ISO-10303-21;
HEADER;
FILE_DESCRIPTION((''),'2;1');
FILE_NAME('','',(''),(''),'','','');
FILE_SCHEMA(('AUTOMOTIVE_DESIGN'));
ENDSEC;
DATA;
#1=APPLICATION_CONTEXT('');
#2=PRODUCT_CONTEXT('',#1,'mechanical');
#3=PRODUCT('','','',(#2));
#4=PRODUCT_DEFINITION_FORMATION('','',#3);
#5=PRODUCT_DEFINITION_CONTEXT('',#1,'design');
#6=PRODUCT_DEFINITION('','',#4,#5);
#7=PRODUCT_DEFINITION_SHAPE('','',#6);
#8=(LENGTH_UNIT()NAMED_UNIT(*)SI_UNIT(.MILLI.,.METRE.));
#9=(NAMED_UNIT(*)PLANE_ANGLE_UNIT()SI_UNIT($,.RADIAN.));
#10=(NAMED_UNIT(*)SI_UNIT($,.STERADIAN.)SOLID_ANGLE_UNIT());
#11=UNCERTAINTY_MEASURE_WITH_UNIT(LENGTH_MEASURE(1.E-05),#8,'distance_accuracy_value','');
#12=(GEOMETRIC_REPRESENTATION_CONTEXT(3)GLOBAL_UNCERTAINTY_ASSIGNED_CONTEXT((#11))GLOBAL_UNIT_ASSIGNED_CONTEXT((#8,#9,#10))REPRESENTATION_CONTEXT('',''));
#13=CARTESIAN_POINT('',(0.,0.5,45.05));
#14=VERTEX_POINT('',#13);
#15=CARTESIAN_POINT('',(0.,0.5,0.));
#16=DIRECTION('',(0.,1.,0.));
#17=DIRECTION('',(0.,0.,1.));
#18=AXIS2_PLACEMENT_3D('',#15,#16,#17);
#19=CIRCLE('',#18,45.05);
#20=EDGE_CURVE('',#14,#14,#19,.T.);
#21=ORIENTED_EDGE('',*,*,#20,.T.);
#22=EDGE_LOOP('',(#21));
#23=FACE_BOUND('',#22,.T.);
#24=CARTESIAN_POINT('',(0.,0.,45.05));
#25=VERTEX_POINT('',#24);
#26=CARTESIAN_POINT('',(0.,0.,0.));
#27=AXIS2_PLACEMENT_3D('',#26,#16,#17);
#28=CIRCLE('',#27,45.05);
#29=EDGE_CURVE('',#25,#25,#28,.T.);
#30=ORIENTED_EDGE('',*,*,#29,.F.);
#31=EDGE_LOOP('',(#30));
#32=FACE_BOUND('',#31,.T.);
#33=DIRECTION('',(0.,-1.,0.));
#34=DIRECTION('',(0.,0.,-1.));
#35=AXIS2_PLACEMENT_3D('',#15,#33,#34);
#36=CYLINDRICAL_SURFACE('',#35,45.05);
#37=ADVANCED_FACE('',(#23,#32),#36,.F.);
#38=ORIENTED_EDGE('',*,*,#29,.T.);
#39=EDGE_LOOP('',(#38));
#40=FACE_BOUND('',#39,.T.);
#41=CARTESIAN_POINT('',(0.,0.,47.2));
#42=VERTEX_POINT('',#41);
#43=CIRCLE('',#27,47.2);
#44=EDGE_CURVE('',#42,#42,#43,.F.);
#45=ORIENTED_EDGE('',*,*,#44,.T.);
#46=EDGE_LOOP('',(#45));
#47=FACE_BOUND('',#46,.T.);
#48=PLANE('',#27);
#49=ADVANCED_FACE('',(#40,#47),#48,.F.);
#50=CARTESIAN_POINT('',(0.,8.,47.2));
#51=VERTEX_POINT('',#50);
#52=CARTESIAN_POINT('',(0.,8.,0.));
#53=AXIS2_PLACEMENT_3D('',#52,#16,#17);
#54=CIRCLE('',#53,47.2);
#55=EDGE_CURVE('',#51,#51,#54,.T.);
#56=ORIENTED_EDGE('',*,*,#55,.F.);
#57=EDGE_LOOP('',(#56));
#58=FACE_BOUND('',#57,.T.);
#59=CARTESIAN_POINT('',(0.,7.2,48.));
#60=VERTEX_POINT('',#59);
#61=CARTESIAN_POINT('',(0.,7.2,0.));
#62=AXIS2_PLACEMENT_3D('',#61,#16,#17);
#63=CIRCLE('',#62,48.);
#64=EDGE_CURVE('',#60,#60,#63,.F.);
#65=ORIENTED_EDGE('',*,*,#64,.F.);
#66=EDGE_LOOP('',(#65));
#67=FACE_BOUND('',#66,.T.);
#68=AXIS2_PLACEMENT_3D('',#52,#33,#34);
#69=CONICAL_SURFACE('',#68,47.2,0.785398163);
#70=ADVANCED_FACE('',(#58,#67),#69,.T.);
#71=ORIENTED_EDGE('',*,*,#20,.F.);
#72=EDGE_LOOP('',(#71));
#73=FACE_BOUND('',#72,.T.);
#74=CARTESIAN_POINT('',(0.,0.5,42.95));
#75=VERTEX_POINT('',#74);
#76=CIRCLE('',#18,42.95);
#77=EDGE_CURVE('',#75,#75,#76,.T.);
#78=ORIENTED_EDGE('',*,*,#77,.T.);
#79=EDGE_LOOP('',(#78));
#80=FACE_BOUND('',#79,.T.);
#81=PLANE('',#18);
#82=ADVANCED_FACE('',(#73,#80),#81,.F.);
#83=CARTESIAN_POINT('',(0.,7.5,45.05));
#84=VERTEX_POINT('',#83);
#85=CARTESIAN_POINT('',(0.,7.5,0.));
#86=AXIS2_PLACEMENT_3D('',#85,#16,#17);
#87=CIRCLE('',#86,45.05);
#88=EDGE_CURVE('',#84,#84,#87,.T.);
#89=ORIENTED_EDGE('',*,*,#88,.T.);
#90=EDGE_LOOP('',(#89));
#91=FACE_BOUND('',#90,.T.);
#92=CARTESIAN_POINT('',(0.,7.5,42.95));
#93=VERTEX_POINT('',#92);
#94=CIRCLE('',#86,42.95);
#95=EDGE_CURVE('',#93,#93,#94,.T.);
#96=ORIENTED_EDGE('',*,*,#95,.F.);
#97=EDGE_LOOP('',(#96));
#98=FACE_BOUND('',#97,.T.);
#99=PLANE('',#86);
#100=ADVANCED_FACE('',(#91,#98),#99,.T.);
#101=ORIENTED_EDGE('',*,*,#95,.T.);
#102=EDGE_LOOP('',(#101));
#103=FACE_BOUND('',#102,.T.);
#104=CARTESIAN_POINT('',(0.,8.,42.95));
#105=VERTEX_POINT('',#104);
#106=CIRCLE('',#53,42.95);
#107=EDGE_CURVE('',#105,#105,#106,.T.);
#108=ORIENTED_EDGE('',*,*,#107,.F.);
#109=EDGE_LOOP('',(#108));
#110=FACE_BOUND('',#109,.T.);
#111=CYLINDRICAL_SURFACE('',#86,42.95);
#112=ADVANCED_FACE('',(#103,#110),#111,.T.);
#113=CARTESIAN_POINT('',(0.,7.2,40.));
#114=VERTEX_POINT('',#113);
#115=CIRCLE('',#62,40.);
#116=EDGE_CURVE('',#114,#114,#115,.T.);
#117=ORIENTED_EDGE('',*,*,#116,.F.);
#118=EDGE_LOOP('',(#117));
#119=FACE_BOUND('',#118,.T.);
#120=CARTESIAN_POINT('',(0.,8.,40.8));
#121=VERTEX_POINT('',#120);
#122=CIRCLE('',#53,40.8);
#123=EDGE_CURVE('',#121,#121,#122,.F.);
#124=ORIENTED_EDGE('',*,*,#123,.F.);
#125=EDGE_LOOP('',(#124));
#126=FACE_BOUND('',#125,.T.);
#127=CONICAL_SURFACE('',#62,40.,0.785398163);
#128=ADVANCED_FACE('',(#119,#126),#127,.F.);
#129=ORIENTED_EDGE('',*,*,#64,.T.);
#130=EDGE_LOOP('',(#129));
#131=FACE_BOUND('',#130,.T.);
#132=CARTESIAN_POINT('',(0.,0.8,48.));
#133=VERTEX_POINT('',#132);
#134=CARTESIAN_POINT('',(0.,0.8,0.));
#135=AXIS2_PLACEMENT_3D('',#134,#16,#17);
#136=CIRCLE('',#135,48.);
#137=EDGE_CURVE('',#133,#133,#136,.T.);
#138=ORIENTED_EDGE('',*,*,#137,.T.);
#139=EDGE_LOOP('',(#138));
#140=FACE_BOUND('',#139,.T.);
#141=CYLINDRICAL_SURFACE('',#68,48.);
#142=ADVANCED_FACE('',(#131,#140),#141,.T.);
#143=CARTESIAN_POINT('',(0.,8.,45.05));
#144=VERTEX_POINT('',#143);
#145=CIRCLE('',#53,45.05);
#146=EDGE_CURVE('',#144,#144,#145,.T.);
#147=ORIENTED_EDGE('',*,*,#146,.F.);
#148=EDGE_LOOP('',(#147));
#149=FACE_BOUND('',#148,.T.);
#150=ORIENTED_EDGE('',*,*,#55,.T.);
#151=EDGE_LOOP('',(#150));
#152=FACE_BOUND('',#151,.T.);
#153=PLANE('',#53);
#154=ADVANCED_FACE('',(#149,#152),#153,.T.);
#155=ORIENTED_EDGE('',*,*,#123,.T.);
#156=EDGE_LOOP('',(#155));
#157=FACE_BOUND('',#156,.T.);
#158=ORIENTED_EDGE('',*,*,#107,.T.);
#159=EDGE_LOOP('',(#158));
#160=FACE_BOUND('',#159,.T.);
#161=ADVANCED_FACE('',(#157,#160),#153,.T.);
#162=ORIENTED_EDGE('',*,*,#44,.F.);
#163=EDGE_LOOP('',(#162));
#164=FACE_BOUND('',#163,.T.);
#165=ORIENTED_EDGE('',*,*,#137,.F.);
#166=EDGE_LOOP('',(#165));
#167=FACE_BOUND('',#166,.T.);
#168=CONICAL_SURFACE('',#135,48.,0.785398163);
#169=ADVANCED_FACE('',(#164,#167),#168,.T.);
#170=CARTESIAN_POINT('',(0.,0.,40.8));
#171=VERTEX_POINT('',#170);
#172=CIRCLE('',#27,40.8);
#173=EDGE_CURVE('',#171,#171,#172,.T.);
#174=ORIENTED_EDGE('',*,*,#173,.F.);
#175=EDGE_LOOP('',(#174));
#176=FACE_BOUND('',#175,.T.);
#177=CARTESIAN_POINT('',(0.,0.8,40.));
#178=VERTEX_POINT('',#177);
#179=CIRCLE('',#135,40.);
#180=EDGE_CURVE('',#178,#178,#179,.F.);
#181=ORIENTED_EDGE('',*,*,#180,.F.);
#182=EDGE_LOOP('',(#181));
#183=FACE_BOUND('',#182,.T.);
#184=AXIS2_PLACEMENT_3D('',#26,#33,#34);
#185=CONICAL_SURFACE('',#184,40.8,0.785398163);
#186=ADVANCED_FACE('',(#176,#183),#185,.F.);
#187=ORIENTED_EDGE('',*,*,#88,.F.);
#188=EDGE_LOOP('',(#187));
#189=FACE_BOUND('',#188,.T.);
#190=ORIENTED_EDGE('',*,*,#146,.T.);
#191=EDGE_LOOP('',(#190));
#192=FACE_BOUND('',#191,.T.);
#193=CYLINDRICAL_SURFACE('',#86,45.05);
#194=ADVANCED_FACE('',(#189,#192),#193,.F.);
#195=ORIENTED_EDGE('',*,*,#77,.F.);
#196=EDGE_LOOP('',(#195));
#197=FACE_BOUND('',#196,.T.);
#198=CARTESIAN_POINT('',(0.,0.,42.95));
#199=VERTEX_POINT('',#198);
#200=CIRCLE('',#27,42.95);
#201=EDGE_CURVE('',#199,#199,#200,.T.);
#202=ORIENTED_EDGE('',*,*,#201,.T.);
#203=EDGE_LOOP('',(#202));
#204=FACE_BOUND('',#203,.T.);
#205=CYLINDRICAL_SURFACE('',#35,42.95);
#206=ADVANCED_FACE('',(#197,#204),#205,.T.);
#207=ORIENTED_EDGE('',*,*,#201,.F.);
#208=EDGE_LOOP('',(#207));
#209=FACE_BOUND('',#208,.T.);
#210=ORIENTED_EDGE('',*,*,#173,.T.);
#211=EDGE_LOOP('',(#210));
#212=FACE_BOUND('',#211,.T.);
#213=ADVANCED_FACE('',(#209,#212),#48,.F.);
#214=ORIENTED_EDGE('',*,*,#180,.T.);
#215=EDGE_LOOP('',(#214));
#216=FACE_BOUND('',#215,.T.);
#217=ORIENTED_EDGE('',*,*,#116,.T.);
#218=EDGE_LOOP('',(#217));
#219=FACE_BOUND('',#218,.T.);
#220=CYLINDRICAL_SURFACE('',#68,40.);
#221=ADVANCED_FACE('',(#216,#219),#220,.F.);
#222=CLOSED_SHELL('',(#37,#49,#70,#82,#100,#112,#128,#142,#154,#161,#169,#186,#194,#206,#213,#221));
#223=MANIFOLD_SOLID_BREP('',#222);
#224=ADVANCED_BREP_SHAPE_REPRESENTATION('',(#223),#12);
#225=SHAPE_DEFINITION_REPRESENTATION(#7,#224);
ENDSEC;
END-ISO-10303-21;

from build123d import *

# Parameters (mm, degrees)
SKETCH_1_R          = 48
SKETCH_1_R_2        = 40
EXTRUDE_1_DEPTH     = 8
SKETCH_2_R          = 45.05
SKETCH_2_R_2        = 42.95
CUT_EXTRUDE_1_DEPTH = 0.5
CUT_EXTRUDE_START   = -7.5
SKETCH_2_2_R        = 45.05
SKETCH_2_2_R_2      = 42.95
CUT_EXTRUDE_2_DEPTH = 0.5
CHAMFER_1_SIZE      = 0.8


with BuildPart() as part:
    # 草图1 → 凸台-拉伸1 (new body)
    with BuildSketch(Plane(origin=(0, 0, 0), x_dir=(1, 0, 0), z_dir=(0, 1, 0))):
        with Locations(Location((0, 0, 0), (0, 0, 270))):
            Circle(SKETCH_1_R)
        with Locations(Location((0, 0, 0), (0, 0, 270))):
            Circle(SKETCH_1_R_2, mode=Mode.SUBTRACT)
    extrude(amount=EXTRUDE_1_DEPTH)

    # 草图2 → 切除-拉伸1 (cut)
    with BuildSketch(Plane(origin=(0, 8, 0), x_dir=(1, 0, 0), z_dir=(0, 1, 0))):
        with Locations(Location((0, 0, 0), (0, 0, 270))):
            Circle(SKETCH_2_R)
        with Locations(Location((0, 0, 0), (0, 0, 270))):
            Circle(SKETCH_2_R_2, mode=Mode.SUBTRACT)
    extrude(amount=-CUT_EXTRUDE_1_DEPTH, mode=Mode.SUBTRACT)

    # 草图2<2> → 切除-拉伸2 (cut)
    with BuildSketch(Plane(origin=(0, 8, 0), x_dir=(1, 0, 0), z_dir=(0, 1, 0)).offset(CUT_EXTRUDE_START)):
        with Locations(Location((0, 0, 0), (0, 0, 270))):
            Circle(SKETCH_2_2_R)
        with Locations(Location((0, 0, 0), (0, 0, 270))):
            Circle(SKETCH_2_2_R_2, mode=Mode.SUBTRACT)
    extrude(amount=-CUT_EXTRUDE_2_DEPTH, mode=Mode.SUBTRACT)

    # 倒角1
    chamfer_1_edges = [part.edges().sort_by_distance(p)[0] for p in [
        (0, 0, -48),
        (0, 8, -48),
        (0, 0, -40),
        (0, 8, -40),
    ]]
    chamfer(chamfer_1_edges, length=CHAMFER_1_SIZE)


solid = part.part
